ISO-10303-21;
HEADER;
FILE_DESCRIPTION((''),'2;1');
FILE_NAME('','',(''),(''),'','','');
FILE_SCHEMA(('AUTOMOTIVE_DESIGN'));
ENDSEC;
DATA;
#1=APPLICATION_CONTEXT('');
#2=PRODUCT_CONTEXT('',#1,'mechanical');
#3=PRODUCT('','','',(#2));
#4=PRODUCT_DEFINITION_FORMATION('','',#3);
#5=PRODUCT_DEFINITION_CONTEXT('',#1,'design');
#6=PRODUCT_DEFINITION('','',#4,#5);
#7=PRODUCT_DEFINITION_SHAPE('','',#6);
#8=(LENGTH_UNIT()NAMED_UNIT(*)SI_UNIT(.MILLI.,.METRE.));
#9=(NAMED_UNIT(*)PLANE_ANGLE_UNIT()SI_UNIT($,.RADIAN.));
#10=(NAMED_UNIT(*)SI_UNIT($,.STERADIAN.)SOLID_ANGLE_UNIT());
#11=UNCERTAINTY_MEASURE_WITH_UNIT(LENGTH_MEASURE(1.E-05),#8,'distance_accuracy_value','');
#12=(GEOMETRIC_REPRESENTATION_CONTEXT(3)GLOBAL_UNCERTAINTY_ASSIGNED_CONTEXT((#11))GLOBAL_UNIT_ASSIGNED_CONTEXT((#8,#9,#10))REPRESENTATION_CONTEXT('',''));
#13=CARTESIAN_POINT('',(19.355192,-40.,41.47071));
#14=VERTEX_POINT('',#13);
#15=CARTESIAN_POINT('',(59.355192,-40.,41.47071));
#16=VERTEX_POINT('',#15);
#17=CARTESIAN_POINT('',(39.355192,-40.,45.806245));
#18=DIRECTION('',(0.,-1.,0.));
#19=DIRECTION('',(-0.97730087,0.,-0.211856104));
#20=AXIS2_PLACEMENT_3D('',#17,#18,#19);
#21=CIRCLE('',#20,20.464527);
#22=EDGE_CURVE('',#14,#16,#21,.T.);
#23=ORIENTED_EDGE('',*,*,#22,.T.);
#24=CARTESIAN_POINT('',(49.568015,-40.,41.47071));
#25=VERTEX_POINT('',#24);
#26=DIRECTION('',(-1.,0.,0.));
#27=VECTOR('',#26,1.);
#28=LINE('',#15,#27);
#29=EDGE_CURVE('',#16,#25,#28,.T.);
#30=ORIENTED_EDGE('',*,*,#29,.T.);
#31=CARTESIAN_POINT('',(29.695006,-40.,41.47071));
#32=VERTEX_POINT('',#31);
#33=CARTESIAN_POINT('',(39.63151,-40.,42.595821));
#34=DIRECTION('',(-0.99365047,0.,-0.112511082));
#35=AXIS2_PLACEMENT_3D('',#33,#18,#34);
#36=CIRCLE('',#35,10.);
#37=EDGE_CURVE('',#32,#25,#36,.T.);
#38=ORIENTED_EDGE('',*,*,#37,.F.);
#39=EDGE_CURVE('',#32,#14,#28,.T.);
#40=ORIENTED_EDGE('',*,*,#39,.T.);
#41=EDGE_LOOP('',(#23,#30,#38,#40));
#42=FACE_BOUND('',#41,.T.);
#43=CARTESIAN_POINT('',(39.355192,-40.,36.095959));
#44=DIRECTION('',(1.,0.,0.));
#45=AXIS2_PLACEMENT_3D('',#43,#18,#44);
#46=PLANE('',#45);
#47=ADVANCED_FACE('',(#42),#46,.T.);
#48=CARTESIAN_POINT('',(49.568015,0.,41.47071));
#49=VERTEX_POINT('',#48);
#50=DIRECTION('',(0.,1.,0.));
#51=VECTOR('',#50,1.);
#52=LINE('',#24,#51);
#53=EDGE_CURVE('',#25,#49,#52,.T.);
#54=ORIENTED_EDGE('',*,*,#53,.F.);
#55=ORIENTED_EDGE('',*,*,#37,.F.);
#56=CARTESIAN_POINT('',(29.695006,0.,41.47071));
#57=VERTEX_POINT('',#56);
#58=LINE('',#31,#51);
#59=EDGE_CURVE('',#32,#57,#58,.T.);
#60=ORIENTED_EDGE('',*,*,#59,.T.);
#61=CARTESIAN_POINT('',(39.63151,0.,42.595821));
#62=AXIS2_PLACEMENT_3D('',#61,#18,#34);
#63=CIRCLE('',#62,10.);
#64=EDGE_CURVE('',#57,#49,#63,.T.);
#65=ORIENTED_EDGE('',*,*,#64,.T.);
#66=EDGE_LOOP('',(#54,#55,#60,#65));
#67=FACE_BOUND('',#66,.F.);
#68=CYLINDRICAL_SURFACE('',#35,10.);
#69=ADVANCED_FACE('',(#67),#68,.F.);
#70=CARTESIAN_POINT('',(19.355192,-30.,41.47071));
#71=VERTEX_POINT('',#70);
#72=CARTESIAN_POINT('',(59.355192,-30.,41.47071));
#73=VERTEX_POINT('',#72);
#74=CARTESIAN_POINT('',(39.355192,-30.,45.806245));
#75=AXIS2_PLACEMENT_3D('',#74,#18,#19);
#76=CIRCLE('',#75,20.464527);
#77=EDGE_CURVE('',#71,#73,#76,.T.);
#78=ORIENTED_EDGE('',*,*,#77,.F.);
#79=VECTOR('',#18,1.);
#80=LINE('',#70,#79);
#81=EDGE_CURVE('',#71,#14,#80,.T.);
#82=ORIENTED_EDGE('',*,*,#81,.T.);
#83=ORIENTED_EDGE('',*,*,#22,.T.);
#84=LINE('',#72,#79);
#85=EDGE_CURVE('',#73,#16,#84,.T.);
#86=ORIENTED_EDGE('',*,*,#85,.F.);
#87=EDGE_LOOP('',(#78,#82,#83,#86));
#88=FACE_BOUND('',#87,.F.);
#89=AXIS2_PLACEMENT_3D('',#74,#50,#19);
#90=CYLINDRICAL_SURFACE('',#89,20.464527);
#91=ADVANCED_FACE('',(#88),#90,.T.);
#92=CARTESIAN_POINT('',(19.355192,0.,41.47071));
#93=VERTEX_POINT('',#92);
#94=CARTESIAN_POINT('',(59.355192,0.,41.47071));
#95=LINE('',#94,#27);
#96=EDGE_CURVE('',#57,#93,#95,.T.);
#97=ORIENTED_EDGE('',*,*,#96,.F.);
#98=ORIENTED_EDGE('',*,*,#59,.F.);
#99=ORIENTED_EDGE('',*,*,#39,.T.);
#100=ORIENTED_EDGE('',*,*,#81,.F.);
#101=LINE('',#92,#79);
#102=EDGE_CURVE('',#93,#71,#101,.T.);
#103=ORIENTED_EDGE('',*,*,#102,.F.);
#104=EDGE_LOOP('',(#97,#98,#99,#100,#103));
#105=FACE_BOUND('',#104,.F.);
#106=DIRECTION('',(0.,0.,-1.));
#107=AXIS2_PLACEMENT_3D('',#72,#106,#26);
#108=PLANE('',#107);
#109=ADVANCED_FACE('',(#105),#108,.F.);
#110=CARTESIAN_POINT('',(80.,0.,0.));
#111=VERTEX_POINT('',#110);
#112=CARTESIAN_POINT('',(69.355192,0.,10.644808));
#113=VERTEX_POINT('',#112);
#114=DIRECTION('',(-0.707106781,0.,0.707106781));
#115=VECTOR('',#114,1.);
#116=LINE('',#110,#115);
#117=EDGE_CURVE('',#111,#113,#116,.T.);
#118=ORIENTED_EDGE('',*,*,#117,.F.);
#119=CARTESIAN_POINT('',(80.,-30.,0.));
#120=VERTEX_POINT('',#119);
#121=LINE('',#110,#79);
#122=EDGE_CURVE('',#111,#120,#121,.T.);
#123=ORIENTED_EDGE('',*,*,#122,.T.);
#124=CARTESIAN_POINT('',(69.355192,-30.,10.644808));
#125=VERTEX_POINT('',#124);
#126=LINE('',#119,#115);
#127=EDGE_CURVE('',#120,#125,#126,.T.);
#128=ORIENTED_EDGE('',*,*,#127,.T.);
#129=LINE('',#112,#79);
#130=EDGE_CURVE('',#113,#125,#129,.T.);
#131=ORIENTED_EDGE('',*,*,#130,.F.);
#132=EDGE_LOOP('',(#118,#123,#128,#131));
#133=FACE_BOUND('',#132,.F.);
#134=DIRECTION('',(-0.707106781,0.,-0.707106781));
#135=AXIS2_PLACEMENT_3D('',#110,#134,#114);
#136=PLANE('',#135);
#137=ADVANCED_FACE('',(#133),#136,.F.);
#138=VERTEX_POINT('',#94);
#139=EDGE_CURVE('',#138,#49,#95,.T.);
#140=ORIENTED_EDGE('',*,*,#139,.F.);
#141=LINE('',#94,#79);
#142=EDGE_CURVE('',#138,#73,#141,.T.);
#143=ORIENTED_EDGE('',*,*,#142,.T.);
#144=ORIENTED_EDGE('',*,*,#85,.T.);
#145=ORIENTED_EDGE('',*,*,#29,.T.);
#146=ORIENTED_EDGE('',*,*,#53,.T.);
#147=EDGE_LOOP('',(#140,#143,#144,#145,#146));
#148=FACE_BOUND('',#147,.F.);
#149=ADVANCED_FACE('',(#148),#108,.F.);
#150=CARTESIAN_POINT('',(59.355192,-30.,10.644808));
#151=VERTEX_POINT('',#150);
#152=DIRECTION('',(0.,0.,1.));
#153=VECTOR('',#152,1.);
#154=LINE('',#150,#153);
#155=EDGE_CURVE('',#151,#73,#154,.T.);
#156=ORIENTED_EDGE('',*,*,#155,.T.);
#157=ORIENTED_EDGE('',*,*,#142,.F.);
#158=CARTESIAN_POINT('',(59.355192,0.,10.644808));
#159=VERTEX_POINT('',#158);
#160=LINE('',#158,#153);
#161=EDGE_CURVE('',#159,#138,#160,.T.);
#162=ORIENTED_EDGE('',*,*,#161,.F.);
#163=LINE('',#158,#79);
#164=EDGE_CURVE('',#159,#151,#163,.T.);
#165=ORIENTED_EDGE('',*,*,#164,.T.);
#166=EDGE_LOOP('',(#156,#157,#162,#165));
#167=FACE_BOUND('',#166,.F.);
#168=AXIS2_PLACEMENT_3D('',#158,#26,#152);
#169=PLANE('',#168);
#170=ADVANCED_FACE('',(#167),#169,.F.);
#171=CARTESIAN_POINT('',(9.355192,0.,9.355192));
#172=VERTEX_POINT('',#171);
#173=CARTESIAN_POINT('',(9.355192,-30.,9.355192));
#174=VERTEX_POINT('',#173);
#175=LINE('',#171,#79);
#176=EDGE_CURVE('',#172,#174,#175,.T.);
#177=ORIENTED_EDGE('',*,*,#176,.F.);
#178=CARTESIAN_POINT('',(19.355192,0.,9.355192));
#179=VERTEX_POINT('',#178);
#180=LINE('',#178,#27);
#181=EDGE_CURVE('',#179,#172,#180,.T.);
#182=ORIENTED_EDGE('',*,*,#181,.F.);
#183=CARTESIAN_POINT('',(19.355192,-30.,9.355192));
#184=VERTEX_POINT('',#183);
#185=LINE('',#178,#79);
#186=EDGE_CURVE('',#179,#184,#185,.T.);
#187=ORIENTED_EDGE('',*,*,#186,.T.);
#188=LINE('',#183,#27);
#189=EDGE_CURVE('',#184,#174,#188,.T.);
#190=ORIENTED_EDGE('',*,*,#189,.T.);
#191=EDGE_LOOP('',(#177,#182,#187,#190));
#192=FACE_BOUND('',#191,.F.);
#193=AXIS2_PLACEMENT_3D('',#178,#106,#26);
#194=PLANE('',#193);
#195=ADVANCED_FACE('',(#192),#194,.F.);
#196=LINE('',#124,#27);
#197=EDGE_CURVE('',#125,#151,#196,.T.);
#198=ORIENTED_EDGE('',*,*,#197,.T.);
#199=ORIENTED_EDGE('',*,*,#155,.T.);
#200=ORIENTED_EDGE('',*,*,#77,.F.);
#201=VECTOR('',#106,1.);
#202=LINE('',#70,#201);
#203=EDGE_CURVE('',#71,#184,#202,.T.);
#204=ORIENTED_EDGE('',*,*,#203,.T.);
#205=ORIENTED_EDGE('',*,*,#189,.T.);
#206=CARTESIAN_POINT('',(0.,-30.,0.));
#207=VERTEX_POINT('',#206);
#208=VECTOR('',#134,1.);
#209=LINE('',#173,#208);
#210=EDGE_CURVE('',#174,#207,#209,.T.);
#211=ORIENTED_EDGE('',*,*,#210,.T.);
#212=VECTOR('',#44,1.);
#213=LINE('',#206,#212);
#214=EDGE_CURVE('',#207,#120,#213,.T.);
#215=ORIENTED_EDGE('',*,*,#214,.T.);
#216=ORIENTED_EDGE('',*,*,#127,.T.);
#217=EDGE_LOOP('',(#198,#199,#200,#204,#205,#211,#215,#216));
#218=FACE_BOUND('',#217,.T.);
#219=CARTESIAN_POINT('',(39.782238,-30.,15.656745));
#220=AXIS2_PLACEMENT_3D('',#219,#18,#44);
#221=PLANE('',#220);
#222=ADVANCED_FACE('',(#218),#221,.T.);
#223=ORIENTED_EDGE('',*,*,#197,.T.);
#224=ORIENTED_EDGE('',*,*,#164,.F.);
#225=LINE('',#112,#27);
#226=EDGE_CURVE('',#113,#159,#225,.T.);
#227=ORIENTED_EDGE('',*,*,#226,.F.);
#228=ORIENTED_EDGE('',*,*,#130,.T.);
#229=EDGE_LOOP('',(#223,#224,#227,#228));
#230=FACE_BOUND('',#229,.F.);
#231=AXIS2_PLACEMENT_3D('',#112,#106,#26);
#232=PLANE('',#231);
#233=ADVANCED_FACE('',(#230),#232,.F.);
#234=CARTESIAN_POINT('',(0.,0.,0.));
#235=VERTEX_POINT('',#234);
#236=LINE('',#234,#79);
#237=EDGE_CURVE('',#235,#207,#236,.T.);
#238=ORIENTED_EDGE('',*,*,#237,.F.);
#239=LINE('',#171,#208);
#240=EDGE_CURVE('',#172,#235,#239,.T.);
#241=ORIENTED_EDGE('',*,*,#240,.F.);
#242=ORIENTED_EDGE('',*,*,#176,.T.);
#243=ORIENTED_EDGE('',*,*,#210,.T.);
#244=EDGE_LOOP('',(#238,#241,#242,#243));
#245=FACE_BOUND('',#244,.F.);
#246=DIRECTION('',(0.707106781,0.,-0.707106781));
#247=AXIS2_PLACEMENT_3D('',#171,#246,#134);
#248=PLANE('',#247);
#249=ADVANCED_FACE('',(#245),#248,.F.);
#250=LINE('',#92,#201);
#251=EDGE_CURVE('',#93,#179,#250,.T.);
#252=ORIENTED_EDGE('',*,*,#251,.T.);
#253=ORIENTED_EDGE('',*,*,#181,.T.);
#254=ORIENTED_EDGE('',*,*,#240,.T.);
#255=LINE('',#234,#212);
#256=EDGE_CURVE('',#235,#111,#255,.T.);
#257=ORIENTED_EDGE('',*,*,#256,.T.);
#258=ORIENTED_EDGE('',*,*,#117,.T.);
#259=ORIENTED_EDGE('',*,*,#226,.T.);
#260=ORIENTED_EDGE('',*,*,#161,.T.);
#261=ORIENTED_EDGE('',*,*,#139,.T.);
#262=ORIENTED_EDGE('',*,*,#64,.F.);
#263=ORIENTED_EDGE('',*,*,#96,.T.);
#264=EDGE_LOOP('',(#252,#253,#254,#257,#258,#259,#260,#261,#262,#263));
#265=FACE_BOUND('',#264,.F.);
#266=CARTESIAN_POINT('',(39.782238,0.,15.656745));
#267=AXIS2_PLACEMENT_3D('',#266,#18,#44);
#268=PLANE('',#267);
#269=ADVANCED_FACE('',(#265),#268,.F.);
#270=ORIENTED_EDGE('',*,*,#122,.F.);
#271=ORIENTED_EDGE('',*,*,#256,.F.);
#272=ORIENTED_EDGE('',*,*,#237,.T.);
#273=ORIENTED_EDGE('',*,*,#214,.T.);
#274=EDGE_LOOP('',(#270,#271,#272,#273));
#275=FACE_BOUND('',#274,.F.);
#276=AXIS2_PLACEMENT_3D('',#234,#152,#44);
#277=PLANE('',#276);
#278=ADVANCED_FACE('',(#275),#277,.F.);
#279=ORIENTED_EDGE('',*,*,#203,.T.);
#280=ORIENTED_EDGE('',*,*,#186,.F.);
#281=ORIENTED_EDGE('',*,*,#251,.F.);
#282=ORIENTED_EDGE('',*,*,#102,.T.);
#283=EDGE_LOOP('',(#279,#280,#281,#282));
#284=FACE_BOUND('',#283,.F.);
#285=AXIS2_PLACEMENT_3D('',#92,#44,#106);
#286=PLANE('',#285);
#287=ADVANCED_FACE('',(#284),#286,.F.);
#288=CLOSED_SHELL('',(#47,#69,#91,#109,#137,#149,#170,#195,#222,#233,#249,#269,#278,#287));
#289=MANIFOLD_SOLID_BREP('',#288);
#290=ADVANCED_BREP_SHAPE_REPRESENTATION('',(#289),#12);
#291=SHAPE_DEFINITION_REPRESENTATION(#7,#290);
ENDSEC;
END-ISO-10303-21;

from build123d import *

# Parameters (mm, degrees)
F1_DEPTH = 30
F3_DEPTH = 10
F5_DEPTH = 40.001


with BuildPart() as f1:
    # F0 (on Front) → F1 (new body)
    with BuildSketch(Plane.XZ):
        Polygon((9.355192, 9.355192), (0, 0), (80, 0), (69.355192, 10.644808), (59.355192, 10.644808), (59.355192, 41.47071), (19.355192, 41.47071), (19.355192, 9.355192), align=None)
    extrude(amount=F1_DEPTH)

    # F2 (on face) → F3 (join)
    with BuildSketch(Plane.XZ.offset(30)):
        with BuildLine():
            Line((59.355192, 41.47071), (19.355192, 41.47071))
            ThreePointArc((19.355192, 41.47071), (39.355192, 25.341718), (59.355192, 41.47071))
        make_face()
    extrude(amount=F3_DEPTH)

    # F4 (on face) → F5 (cut, through all)
    with BuildSketch(Plane.XZ.offset(40)):
        with BuildLine():
            Line((49.568015, 41.47071), (29.695006, 41.47071))
            ThreePointArc((29.695006, 41.47071), (39.631511, 32.595821), (49.568015, 41.47071))
        make_face()
    extrude(amount=-F5_DEPTH, mode=Mode.SUBTRACT)


solid = f1.part
